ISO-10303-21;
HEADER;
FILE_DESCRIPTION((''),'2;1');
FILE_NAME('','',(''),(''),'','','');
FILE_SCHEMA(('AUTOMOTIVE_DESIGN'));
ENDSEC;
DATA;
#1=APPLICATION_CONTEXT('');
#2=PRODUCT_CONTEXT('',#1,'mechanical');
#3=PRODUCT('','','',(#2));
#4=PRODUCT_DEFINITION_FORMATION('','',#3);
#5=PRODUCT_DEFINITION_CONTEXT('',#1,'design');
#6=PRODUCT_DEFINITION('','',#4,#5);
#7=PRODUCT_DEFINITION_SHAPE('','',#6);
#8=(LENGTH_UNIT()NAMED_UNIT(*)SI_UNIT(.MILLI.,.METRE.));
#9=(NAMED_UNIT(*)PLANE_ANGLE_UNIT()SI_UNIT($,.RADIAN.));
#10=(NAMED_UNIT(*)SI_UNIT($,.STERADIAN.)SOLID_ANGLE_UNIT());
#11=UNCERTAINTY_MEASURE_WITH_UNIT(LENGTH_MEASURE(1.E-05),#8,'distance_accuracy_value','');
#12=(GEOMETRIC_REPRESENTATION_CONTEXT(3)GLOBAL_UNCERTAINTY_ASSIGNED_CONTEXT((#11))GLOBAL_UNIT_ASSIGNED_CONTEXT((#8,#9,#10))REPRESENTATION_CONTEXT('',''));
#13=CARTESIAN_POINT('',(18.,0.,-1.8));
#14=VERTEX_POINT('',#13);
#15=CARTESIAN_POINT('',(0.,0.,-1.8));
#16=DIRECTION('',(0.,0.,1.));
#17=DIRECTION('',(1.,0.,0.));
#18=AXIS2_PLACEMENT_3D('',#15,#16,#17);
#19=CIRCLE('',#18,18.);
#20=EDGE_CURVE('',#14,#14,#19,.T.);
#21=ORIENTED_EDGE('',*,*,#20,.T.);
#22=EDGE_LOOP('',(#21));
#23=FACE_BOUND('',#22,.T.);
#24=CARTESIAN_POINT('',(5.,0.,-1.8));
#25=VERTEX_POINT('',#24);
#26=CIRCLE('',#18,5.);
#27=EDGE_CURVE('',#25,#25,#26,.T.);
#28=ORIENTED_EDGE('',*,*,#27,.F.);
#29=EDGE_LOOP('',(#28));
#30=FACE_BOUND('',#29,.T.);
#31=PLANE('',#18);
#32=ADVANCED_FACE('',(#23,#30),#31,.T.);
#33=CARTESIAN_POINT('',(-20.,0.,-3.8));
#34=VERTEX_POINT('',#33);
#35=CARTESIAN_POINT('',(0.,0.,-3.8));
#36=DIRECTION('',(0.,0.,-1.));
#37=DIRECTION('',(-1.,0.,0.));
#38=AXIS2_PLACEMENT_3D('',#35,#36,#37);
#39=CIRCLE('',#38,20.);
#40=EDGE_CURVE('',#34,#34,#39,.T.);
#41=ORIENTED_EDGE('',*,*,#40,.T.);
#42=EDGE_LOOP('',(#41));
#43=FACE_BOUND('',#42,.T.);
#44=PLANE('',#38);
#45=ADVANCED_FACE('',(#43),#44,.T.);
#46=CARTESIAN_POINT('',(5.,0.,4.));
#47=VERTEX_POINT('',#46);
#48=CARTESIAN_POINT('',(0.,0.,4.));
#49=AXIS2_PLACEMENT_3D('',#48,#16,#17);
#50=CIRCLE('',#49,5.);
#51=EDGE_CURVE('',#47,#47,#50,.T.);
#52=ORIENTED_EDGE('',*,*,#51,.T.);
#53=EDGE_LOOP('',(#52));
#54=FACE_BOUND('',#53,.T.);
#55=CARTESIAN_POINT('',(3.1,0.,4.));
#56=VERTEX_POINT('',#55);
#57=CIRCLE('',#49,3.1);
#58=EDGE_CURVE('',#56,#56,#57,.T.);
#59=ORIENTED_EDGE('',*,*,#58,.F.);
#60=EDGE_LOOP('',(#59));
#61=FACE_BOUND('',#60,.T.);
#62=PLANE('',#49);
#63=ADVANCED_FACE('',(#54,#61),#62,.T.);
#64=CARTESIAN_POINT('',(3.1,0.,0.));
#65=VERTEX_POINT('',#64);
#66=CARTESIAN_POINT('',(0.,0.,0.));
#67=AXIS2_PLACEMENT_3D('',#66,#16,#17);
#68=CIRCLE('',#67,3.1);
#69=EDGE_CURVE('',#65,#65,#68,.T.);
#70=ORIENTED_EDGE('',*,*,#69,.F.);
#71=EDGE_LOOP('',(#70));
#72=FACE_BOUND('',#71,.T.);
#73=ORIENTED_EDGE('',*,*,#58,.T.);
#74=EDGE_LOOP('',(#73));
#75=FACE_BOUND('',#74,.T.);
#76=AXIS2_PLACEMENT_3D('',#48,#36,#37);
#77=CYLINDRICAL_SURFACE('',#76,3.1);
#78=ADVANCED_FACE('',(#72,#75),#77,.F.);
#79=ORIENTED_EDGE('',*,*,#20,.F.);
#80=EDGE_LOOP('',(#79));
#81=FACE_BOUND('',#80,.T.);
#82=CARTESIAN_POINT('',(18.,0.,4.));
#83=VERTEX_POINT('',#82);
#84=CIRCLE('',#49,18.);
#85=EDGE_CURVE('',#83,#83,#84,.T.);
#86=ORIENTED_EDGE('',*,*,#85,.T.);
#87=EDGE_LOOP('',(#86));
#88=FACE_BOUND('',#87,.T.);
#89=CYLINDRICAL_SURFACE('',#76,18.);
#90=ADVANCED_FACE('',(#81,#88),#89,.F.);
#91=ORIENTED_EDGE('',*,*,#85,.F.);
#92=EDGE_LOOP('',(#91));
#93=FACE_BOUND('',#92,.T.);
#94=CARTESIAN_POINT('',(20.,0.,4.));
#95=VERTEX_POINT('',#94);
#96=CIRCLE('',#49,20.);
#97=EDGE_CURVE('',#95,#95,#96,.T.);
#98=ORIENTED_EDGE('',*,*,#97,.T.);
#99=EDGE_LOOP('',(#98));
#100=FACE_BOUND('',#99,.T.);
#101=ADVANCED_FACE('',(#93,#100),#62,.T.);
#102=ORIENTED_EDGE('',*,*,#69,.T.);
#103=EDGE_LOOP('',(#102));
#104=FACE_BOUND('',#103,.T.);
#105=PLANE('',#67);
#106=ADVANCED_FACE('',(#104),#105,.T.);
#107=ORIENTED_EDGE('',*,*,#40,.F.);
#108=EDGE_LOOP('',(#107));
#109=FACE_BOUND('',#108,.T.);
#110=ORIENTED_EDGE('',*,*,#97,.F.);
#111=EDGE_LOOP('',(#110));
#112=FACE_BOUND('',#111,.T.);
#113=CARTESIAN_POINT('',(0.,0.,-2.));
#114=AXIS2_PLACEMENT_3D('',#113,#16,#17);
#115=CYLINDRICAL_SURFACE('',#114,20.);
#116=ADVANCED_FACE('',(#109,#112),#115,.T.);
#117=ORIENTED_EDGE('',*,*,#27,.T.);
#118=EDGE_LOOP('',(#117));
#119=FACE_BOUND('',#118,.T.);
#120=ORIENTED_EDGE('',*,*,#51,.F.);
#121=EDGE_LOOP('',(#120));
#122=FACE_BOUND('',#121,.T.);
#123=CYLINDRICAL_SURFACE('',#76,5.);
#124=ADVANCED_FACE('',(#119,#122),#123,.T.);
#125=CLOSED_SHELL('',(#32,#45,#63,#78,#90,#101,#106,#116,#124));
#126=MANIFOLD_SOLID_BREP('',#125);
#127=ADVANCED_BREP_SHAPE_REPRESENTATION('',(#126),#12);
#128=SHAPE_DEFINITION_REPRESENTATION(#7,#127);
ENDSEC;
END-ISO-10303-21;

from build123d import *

# Parameters (mm, degrees)
SKETCH_1_R          = 5
SKETCH_1_R_2        = 3.1
EXTRUDE_1_DEPTH     = 4
SKETCH_1_3_R        = 20
SKETCH_1_3_R_2      = 18
EXTRUDE_2_DEPTH     = 4
SKETCH_1_4_R        = 20
EXTRUDE_3_DEPTH     = 2
SKETCH_2_R          = 20
EXTRUDE_4_DEPTH     = 1.8
CUT_EXTRUDE_START   = -1.8
SKETCH_4_R          = 18
SKETCH_4_R_2        = 5
CUT_EXTRUDE_1_DEPTH = 1.8


with BuildPart() as part:
    # 草图1 → 凸台-拉伸1 (new body)
    with BuildSketch(Plane.XY):
        Circle(SKETCH_1_R)
        Circle(SKETCH_1_R_2, mode=Mode.SUBTRACT)
    extrude(amount=EXTRUDE_1_DEPTH)



with BuildPart() as body_2:
    # 草图1<3> → 凸台-拉伸2 (new body)
    with BuildSketch(Plane.XY):
        Circle(SKETCH_1_3_R)
        Circle(SKETCH_1_3_R_2, mode=Mode.SUBTRACT)
    extrude(amount=EXTRUDE_2_DEPTH)


with BuildPart() as part_1:
    add(part.part)

    add(body_2.part)  # 凸台-拉伸3 merges body 2
    # 草图1<4> → 凸台-拉伸3 (add)
    with BuildSketch(Plane.XY):
        Circle(SKETCH_1_4_R)
    extrude(amount=-EXTRUDE_3_DEPTH)

    # 草图2 → 凸台-拉伸4 (add)
    with BuildSketch(Plane(origin=(0, 0, -2), x_dir=(-1, 0, 0), z_dir=(0, 0, -1))):
        Circle(SKETCH_2_R)
    extrude(amount=EXTRUDE_4_DEPTH)

    # 草图4 → 切除-拉伸1 (cut)
    with BuildSketch(Plane.XY.offset(CUT_EXTRUDE_START)):
        Circle(SKETCH_4_R)
        Circle(SKETCH_4_R_2, mode=Mode.SUBTRACT)
    extrude(amount=CUT_EXTRUDE_1_DEPTH, mode=Mode.SUBTRACT)


solid = part_1.part
